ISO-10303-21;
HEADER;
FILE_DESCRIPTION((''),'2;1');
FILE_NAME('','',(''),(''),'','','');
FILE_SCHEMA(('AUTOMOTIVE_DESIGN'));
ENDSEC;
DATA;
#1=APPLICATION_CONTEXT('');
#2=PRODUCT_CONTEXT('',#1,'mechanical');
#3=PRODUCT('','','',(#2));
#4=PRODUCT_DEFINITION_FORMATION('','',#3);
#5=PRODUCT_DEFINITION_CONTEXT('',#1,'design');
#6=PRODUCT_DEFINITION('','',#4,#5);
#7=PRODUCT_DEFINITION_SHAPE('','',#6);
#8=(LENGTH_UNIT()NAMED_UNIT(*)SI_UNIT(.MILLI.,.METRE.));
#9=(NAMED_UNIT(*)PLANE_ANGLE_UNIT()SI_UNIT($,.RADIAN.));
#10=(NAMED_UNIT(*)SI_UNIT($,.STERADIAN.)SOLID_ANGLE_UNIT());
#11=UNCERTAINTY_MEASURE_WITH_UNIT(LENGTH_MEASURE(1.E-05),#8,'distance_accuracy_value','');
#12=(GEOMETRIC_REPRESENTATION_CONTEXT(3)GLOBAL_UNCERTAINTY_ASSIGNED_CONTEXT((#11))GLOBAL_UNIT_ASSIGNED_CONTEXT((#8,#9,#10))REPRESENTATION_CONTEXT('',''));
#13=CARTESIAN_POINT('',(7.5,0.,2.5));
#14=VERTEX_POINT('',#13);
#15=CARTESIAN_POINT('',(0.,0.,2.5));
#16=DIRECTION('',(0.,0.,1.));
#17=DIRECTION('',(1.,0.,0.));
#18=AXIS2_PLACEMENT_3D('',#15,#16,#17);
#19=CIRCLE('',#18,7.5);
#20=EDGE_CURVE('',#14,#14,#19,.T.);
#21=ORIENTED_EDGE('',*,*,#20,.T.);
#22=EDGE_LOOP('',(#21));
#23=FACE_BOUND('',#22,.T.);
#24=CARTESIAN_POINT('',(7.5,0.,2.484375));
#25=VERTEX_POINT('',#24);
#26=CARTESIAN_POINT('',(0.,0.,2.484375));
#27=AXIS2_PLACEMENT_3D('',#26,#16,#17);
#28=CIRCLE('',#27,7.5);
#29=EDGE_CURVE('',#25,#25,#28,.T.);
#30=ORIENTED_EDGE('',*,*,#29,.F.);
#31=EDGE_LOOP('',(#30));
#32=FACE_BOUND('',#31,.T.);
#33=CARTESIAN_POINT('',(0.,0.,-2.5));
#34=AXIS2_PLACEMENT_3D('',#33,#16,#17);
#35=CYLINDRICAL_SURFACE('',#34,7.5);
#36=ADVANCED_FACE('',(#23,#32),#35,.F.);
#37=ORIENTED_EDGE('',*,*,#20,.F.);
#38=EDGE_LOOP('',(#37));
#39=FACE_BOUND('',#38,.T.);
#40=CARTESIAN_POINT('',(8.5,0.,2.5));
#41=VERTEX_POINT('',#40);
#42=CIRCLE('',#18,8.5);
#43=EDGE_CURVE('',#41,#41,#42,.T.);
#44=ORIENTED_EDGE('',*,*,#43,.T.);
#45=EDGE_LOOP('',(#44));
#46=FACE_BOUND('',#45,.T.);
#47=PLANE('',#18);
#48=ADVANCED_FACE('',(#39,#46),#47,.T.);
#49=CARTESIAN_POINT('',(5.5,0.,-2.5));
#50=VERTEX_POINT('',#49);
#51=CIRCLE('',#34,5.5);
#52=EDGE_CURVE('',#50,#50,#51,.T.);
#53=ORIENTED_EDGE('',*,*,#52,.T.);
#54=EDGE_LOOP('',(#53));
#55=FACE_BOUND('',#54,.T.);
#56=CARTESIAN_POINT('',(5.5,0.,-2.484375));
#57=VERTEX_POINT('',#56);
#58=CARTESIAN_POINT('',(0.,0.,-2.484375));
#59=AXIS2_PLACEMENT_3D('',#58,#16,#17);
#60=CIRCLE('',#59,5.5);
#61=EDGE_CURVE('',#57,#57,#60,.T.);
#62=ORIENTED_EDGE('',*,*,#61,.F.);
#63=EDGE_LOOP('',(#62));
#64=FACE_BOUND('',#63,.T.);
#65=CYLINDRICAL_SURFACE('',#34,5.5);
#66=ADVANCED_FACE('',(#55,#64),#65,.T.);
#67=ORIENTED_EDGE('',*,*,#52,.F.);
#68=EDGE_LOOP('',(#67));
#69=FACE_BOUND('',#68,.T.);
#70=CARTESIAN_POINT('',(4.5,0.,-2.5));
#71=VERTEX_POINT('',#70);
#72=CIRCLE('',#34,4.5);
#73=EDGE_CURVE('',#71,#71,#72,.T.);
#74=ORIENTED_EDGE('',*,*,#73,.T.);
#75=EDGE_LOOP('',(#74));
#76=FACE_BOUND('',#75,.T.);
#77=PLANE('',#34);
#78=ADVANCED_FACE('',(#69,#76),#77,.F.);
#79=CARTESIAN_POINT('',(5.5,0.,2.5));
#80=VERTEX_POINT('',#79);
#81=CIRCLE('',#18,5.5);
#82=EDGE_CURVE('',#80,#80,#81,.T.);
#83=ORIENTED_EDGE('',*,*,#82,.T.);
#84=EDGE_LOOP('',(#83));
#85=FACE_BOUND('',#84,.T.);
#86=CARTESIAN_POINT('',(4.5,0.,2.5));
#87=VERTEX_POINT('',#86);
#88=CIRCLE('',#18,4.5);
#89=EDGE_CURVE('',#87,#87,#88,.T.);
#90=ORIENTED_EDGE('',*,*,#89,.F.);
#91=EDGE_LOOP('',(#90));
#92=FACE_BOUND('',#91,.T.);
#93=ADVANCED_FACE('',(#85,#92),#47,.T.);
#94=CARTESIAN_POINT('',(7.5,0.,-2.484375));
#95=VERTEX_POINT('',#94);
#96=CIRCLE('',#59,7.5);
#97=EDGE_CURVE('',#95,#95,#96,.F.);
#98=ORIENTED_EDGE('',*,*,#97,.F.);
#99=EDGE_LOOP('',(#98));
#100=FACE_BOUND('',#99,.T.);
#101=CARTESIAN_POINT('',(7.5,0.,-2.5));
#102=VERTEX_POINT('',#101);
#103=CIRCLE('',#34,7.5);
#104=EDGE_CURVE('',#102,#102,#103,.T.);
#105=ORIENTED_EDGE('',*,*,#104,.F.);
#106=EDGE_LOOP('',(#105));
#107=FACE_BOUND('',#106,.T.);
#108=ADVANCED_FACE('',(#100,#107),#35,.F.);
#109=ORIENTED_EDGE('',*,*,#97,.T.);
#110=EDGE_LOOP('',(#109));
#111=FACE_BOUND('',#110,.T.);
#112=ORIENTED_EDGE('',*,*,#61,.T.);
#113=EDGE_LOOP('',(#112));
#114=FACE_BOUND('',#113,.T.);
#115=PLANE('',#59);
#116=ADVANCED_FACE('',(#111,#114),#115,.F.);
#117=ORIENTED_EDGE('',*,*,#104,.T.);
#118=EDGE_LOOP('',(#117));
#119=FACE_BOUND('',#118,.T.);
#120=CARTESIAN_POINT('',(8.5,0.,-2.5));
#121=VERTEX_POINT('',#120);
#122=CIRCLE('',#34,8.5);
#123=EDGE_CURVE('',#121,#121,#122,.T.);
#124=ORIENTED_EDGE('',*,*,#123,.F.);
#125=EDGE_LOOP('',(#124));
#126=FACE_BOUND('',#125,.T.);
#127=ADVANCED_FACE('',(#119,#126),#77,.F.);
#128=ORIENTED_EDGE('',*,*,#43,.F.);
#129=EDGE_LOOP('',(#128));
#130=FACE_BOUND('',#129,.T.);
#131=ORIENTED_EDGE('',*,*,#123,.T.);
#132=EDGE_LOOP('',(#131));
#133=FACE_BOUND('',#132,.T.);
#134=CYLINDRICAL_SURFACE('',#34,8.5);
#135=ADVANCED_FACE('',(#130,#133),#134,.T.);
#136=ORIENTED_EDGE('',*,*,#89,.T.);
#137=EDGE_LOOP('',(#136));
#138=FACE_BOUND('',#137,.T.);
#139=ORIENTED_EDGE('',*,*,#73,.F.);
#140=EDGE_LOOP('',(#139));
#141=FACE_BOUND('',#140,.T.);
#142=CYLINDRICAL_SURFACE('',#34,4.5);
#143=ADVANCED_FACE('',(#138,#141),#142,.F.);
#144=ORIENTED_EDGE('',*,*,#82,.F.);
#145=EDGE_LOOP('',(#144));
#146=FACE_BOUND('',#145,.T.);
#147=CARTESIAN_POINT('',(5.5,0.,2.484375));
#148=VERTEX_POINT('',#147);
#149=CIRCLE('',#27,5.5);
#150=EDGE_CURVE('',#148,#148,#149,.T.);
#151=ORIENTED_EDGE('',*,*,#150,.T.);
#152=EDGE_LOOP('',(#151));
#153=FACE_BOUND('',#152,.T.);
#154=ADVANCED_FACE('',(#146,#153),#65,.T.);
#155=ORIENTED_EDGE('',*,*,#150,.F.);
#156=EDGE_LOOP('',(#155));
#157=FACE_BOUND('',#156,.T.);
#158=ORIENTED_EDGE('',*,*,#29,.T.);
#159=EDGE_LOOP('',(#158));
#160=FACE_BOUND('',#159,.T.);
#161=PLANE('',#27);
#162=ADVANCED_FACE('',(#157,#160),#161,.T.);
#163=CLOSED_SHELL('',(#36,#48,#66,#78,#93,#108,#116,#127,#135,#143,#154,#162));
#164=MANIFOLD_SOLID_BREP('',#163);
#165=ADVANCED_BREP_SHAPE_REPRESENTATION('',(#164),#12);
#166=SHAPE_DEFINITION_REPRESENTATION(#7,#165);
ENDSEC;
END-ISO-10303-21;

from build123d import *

# Parameters (mm, degrees)
BOSS_EXTRUDE1_DEPTH        = 2.5
BOSS_EXTRUDE1_DEPTH_BACK   = 2.5
SKETCH1_R                  = 5.5
SKETCH1_R_2                = 4.5
BOSS_EXTRUDE1_2_DEPTH      = 2.5
BOSS_EXTRUDE1_2_DEPTH_BACK = 2.5
SKETCH1_R_3                = 8.5
SKETCH1_R_4                = 7.5
BOSS_EXTRUDE2_DEPTH        = 2.484375
BOSS_EXTRUDE2_DEPTH_BACK   = 2.484375
SKETCH1_3_R                = 7.5
SKETCH1_3_R_2              = 5.5


with BuildPart() as part:
    # Sketch1 → Boss-Extrude1 (new, two sides: drawn at the far end of the back side and taken through both)
    with BuildSketch(Plane.XY.offset(-BOSS_EXTRUDE1_DEPTH_BACK)):
        Circle(SKETCH1_R)
        Circle(SKETCH1_R_2, mode=Mode.SUBTRACT)
    extrude(amount=BOSS_EXTRUDE1_DEPTH + BOSS_EXTRUDE1_DEPTH_BACK)



with BuildPart() as body_2:
    # Sketch1 → Boss-Extrude1 2 (new, two sides: drawn at the far end of the back side and taken through both)
    with BuildSketch(Plane.XY.offset(-BOSS_EXTRUDE1_2_DEPTH_BACK)):
        Circle(SKETCH1_R_3)
        Circle(SKETCH1_R_4, mode=Mode.SUBTRACT)
    extrude(amount=BOSS_EXTRUDE1_2_DEPTH + BOSS_EXTRUDE1_2_DEPTH_BACK)


with BuildPart() as part_1:
    add(part.part)

    add(body_2.part)  # Boss-Extrude2 merges body 2
    # Sketch1<3> → Boss-Extrude2 (add, two sides: drawn at the far end of the back side and taken through both)
    with BuildSketch(Plane.XY.offset(-BOSS_EXTRUDE2_DEPTH_BACK)):
        Circle(SKETCH1_3_R)
        Circle(SKETCH1_3_R_2, mode=Mode.SUBTRACT)
    extrude(amount=BOSS_EXTRUDE2_DEPTH + BOSS_EXTRUDE2_DEPTH_BACK)


solid = part_1.part
